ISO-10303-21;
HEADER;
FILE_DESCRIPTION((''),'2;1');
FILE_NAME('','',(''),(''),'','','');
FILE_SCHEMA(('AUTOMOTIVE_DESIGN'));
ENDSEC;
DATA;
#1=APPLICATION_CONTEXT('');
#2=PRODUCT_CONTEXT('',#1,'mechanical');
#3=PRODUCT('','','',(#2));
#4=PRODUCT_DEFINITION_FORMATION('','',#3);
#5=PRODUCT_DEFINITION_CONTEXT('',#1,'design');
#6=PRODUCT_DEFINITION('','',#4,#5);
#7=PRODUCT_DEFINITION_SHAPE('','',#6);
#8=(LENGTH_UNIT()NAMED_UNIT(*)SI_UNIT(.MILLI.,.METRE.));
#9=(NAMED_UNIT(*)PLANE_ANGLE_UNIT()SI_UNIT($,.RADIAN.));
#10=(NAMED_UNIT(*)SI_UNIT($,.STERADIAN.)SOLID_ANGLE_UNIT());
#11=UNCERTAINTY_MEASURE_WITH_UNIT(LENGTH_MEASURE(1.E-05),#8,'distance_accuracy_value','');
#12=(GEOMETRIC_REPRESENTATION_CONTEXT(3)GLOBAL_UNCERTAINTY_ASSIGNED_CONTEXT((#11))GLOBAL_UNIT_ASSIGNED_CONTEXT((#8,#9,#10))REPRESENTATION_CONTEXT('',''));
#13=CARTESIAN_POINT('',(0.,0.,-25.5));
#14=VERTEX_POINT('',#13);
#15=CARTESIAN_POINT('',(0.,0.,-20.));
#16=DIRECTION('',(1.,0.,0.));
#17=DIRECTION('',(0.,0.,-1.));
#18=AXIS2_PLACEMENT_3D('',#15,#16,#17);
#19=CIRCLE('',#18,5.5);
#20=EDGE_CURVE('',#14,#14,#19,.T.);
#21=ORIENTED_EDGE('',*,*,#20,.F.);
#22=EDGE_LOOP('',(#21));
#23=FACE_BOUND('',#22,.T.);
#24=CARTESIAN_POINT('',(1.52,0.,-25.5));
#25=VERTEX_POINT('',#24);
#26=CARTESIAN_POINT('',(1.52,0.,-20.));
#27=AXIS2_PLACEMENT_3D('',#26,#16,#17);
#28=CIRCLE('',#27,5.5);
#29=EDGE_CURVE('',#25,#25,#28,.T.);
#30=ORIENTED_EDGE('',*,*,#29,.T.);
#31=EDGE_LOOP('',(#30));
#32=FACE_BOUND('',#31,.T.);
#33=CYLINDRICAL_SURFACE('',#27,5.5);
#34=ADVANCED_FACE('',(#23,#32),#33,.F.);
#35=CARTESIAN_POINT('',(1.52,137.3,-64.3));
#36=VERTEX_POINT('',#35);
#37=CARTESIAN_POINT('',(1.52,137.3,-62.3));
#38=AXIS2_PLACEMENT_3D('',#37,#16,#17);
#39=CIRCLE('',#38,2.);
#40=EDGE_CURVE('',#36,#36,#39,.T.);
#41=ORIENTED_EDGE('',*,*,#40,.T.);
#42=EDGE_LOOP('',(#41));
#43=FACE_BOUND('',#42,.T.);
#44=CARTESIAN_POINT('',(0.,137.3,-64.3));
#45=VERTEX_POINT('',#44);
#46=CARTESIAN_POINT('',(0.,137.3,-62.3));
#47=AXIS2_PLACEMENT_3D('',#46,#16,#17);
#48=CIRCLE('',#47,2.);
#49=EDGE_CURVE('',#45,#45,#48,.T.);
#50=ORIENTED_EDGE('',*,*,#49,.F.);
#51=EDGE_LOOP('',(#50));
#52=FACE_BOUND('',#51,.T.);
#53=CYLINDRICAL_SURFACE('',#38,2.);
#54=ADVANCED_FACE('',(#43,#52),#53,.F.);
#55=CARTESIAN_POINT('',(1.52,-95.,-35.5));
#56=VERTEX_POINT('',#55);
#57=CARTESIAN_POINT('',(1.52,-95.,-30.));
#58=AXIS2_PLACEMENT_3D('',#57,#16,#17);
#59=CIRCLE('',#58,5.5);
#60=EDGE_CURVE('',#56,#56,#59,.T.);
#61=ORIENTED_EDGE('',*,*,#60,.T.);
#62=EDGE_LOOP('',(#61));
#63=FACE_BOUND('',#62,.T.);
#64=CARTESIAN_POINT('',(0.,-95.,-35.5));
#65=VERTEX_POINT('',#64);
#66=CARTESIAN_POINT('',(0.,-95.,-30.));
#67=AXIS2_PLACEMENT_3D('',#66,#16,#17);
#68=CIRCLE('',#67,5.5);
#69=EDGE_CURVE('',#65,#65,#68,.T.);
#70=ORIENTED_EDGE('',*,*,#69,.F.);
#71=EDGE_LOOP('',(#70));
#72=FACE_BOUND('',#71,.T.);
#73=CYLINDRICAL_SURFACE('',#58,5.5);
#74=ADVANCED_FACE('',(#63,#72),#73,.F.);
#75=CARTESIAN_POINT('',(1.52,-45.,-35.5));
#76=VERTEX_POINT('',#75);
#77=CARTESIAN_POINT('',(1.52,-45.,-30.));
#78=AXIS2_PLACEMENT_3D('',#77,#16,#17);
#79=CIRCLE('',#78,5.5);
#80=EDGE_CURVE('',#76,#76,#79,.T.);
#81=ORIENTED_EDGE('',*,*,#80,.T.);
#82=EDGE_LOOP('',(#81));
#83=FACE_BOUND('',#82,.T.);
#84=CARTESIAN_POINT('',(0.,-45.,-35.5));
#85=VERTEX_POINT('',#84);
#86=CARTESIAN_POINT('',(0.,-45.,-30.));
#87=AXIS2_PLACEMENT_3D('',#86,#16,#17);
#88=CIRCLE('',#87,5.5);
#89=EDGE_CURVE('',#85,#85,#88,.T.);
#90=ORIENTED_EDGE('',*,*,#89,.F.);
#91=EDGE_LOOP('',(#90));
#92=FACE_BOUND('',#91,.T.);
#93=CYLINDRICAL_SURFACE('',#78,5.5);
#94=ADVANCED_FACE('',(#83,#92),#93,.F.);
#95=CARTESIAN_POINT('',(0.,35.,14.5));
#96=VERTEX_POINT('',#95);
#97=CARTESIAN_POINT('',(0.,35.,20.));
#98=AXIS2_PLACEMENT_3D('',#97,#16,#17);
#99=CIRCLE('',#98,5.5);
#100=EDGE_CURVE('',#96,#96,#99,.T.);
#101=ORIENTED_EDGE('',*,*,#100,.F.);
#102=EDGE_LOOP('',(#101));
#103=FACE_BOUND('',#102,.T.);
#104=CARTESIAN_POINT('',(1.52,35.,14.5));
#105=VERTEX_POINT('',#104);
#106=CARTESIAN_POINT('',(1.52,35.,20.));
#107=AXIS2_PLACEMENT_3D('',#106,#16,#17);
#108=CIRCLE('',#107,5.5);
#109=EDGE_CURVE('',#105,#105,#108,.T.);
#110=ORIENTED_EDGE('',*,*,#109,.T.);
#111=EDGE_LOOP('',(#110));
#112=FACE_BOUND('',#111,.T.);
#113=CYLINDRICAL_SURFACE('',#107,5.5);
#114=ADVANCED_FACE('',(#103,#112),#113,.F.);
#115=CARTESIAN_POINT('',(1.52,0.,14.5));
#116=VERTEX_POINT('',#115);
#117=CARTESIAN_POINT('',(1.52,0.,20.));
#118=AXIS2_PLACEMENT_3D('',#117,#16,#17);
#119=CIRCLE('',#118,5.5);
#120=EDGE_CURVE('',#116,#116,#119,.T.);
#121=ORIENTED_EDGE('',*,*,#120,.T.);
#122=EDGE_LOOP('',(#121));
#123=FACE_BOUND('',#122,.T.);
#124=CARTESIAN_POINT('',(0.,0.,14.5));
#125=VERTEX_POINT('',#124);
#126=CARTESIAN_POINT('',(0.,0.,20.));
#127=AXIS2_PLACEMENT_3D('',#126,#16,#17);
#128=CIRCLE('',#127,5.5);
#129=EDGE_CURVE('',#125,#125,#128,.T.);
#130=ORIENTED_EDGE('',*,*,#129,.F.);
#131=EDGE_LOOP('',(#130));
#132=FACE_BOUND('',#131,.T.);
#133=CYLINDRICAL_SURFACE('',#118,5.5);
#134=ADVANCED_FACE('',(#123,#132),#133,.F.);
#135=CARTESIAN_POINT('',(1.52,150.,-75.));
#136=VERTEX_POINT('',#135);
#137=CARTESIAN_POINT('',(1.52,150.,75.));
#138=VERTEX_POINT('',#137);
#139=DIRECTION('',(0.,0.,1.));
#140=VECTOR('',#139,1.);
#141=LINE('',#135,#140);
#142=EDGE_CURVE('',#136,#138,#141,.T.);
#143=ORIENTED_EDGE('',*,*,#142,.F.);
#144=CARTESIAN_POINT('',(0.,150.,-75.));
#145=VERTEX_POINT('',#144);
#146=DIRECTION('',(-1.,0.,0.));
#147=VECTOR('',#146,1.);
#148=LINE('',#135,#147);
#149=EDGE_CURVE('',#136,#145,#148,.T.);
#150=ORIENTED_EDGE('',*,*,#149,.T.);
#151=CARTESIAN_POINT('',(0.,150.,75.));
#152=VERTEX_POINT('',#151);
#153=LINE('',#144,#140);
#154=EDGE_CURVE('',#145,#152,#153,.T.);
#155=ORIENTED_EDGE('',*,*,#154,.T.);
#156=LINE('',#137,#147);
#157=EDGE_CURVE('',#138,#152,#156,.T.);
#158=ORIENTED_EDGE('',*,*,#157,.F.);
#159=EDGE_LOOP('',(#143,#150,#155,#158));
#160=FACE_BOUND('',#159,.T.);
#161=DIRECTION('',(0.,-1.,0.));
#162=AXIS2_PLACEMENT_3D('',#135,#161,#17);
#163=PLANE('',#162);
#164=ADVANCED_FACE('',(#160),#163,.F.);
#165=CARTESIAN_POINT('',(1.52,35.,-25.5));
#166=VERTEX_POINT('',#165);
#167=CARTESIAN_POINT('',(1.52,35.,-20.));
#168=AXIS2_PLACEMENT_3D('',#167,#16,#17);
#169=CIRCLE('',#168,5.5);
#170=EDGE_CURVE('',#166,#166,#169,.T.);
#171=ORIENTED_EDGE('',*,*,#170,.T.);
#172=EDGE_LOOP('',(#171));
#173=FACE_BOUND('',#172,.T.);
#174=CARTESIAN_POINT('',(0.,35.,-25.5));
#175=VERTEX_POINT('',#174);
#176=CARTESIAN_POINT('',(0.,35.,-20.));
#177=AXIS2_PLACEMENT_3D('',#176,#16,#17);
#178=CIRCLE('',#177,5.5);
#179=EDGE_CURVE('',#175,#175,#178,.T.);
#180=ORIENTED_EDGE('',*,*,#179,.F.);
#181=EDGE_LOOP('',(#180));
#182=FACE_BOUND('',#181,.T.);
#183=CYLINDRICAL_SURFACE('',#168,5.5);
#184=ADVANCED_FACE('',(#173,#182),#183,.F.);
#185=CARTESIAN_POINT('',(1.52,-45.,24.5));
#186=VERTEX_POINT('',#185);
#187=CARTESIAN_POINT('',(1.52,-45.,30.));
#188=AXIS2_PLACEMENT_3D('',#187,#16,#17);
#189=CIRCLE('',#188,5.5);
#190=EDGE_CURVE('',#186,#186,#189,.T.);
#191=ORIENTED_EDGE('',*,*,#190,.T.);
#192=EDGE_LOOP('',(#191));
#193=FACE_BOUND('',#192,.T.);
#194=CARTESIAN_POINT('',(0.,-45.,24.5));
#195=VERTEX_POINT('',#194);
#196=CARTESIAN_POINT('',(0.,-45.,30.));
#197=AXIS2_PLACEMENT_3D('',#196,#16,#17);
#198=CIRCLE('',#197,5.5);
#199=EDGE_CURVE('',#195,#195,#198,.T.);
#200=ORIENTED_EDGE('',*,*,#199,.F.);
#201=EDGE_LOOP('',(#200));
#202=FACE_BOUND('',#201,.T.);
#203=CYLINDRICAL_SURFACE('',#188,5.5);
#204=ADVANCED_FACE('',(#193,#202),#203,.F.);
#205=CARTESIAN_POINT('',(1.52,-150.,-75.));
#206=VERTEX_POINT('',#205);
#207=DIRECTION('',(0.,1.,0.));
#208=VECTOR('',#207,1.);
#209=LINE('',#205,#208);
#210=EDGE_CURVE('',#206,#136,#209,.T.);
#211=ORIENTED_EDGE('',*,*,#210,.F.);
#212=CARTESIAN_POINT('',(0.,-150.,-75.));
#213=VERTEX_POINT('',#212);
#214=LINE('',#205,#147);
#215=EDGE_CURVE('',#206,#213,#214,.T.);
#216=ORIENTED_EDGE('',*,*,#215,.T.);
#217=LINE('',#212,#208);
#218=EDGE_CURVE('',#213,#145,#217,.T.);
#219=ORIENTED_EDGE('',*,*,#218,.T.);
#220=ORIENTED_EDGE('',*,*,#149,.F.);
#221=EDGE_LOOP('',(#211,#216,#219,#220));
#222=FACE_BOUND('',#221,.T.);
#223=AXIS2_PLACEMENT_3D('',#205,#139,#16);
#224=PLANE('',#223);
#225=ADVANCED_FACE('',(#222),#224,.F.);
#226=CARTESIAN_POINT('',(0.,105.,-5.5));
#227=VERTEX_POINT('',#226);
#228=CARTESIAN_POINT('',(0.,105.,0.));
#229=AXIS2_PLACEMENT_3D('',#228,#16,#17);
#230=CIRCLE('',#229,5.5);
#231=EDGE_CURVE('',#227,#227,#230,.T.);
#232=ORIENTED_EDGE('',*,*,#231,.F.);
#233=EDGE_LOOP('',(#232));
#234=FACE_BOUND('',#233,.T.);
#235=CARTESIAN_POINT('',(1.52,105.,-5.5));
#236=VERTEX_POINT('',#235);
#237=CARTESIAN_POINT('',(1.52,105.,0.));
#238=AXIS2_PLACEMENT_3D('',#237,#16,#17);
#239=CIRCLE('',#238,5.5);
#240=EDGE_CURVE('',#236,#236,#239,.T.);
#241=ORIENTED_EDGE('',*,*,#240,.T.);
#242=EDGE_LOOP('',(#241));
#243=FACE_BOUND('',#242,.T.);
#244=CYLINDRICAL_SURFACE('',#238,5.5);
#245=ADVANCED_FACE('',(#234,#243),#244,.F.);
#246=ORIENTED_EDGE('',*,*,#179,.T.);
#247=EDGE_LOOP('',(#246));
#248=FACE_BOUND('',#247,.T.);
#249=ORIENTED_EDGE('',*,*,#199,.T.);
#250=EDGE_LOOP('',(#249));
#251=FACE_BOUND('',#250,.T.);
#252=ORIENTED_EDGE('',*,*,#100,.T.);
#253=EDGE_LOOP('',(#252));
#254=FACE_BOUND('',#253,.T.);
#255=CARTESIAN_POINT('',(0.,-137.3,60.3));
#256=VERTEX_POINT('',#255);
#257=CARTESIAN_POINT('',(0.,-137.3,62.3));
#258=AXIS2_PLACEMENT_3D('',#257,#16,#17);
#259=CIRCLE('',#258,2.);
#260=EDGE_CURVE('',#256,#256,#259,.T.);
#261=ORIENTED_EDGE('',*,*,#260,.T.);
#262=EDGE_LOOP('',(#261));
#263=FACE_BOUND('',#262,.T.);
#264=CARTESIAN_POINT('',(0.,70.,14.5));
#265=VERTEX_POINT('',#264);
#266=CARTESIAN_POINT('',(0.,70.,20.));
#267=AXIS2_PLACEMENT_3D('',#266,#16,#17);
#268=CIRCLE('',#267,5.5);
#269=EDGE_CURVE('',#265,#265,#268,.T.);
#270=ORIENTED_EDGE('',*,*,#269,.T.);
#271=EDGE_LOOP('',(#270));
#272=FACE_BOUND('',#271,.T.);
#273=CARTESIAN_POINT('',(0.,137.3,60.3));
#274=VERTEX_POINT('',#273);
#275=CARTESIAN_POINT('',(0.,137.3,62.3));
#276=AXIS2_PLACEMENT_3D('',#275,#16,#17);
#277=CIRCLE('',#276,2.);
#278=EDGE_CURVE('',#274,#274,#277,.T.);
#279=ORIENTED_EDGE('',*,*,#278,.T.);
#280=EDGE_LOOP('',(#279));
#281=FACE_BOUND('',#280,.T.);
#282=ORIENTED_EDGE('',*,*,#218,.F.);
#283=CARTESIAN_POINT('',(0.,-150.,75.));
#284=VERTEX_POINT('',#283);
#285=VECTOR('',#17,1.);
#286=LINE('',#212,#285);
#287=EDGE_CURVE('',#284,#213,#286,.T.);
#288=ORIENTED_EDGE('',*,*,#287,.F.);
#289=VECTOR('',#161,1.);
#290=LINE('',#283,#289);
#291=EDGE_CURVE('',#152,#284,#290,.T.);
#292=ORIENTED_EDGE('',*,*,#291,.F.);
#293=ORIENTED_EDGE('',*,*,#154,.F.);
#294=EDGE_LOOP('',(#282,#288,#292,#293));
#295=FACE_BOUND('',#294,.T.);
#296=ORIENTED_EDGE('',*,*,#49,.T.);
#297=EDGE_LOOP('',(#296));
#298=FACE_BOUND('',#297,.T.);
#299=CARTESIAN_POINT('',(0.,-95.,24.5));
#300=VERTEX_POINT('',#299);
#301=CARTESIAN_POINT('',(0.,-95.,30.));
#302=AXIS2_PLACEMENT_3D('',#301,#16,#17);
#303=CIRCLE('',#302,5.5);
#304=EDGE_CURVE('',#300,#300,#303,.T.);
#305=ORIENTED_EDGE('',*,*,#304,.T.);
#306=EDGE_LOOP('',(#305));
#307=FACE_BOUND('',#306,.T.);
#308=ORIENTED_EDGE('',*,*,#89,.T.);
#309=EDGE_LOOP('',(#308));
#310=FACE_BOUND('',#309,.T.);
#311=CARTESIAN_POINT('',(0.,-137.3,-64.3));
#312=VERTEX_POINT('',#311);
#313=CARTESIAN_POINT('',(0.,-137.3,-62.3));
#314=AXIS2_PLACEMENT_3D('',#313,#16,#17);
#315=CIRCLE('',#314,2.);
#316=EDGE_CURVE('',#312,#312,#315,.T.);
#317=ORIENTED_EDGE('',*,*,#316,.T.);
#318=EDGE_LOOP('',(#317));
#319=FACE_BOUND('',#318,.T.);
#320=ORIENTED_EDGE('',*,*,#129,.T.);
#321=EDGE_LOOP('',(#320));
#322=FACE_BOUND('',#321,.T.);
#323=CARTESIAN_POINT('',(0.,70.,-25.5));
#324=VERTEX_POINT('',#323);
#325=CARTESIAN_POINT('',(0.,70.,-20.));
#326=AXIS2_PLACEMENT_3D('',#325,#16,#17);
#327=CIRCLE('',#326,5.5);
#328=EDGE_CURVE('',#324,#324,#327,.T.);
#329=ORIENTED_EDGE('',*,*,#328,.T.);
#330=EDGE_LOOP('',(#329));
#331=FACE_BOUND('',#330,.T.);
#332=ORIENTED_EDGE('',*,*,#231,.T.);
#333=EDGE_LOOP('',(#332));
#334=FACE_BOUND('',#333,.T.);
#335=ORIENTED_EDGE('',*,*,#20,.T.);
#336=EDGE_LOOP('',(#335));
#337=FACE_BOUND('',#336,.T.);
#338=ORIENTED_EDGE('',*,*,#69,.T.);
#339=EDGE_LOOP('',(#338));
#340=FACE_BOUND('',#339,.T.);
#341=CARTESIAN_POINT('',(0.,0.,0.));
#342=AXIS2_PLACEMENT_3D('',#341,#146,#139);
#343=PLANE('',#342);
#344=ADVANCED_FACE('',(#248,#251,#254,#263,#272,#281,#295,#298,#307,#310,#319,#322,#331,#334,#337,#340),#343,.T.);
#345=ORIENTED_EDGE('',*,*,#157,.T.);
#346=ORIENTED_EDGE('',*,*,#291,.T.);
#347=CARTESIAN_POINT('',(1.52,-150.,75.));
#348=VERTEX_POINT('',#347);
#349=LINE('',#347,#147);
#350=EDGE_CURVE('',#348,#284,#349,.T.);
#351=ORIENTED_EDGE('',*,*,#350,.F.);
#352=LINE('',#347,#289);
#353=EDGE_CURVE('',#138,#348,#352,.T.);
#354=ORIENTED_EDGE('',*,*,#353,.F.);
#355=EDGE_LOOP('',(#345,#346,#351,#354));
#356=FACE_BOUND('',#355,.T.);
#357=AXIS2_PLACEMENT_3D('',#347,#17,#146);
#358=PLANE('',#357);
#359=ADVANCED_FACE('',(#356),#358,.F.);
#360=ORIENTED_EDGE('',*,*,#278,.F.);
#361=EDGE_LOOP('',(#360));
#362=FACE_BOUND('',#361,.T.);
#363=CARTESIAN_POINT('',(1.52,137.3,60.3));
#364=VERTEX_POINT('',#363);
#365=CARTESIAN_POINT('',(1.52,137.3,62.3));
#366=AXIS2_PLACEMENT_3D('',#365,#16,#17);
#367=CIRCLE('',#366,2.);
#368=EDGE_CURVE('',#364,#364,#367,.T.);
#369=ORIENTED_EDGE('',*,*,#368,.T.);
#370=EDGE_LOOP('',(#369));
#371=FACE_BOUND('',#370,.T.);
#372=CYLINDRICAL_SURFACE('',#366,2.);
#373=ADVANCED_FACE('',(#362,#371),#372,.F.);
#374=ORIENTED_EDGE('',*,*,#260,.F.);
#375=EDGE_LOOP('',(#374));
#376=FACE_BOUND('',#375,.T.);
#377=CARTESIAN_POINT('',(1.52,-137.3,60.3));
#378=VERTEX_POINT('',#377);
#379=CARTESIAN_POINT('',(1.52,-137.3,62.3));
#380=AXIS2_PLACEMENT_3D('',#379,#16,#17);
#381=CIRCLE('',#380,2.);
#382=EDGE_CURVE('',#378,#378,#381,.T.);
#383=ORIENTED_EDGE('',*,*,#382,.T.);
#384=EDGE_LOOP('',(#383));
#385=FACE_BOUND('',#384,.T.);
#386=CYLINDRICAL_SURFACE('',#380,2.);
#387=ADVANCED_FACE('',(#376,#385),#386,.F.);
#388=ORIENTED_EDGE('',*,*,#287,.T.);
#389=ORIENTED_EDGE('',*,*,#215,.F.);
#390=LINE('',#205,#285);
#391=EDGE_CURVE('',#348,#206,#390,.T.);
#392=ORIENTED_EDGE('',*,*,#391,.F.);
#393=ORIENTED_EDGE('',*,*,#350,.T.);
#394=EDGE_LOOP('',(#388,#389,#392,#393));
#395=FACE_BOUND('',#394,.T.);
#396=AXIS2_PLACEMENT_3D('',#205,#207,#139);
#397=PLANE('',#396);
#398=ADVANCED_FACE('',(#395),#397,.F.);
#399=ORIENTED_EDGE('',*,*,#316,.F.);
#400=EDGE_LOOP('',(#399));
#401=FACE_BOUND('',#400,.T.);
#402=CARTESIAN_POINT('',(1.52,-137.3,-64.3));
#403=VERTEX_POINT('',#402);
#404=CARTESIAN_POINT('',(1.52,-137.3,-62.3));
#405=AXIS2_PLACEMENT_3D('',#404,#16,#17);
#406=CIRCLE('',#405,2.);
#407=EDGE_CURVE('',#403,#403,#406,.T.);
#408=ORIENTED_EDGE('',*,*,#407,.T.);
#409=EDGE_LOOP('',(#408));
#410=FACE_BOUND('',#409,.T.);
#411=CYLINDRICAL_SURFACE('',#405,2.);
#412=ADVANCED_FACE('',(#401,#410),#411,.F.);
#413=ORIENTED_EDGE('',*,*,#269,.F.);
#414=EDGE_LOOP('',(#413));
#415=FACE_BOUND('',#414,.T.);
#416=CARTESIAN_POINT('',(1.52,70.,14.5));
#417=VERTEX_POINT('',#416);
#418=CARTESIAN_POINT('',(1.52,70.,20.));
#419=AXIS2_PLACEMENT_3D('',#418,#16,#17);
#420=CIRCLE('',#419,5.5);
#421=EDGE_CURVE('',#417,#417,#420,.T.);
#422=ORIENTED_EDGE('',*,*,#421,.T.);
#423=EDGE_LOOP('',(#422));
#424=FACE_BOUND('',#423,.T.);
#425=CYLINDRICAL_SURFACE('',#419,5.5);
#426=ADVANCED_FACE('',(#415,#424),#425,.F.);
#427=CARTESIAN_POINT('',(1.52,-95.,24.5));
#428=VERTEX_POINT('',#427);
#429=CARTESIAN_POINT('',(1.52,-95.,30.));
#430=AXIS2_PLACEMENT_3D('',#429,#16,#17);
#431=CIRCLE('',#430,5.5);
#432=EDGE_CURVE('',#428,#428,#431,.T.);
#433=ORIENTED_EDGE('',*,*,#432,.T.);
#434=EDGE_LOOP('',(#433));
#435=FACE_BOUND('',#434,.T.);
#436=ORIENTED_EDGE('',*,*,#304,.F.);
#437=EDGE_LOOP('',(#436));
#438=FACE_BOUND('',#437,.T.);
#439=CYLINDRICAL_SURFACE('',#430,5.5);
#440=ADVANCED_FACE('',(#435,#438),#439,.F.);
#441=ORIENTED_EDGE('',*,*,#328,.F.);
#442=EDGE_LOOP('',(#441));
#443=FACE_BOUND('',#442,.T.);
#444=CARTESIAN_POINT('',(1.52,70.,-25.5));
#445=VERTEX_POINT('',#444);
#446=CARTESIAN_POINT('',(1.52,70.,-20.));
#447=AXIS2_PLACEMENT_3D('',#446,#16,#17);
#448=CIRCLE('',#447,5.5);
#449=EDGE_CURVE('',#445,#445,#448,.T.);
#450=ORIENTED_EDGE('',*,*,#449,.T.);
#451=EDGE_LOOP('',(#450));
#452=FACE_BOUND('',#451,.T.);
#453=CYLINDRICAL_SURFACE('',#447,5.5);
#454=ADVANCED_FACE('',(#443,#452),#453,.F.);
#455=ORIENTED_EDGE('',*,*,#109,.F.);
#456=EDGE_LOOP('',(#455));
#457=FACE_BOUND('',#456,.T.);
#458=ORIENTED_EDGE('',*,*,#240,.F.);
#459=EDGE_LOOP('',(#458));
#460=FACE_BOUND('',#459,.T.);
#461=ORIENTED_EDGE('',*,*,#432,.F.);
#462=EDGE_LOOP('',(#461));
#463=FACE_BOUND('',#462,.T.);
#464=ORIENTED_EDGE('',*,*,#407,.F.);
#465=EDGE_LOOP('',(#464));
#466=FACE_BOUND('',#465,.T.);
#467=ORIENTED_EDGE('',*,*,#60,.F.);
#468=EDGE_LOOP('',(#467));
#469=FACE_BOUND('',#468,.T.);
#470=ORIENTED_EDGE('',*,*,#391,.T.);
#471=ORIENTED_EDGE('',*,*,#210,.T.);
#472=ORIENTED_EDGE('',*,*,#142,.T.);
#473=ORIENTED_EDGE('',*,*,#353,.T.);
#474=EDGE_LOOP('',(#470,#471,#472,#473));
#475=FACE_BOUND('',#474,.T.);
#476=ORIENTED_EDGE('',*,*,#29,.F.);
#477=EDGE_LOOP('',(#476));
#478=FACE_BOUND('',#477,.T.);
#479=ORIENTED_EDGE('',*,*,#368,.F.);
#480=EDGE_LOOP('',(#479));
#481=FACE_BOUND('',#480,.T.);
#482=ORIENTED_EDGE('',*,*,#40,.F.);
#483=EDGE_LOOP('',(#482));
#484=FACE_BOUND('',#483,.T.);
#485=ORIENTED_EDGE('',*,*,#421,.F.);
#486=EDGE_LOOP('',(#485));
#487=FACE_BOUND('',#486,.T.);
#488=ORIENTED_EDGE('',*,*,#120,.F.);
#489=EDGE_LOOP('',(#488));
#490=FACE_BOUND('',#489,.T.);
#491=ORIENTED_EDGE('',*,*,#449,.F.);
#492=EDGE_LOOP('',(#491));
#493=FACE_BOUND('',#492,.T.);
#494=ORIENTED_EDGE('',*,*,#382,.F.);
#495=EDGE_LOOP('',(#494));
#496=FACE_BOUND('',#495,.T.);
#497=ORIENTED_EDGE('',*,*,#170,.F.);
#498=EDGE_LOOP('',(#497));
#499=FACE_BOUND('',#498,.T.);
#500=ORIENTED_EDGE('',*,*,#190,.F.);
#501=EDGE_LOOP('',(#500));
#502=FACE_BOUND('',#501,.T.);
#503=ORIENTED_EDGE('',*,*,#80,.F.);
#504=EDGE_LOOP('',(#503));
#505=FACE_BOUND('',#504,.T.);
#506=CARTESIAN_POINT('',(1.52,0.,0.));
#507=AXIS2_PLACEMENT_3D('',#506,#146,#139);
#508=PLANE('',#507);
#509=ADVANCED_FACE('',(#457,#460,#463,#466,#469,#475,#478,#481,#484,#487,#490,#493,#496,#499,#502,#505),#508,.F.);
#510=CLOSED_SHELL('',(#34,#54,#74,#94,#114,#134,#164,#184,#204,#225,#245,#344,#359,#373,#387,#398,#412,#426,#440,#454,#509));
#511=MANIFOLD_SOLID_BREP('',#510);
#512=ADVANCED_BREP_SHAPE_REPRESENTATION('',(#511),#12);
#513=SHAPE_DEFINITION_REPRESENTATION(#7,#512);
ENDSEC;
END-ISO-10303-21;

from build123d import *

# Parameters (mm, degrees)
SKETCH2_W                            = 300
SKETCH2_H                            = 150
BOSS_EXTRUDE1_DEPTH                  = 1.52
F_4_0_4_DIAMETER_HOLE1_D             = 4
MIRROR1_AT_THE_SECOND_PLANE_COPY_1_D = 4
F_11_0_11_DIAMETER_HOLE4_D           = 11
F_11_0_11_DIAMETER_HOLE2_D           = 11
F_11_0_11_DIAMETER_HOLE3_D           = 11


with BuildPart() as part:
    # Sketch2 → Boss-Extrude1 (new body)
    with BuildSketch(Plane.YZ):
        Rectangle(SKETCH2_W, SKETCH2_H)
    extrude(amount=BOSS_EXTRUDE1_DEPTH)

    # Ø4.0 (4) Diameter Hole1 (through all)
    with Locations(Plane.YZ.offset(1.52)):
        with Locations((-137.3, 62.3)):
            f_4_0_4_diameter_hole1 = Hole(F_4_0_4_DIAMETER_HOLE1_D / 2)

    # Mirror1: Ø4.0 (4) Diameter Hole1 across plane
    add(f_4_0_4_diameter_hole1.mirror(Plane.ZX), mode=Mode.SUBTRACT)

    # Mirror1 at the second plane: Ø4.0 (4) Diameter Hole1 across plane
    add(f_4_0_4_diameter_hole1.mirror(Plane.XY), mode=Mode.SUBTRACT)

    # Mirror1 at the second plane copy 1 (through all)
    with Locations(Plane(origin=(1.52, 0, 0), x_dir=(0, -1, 0), z_dir=(1, 0, 0))):
        with Locations((-137.3, 62.3)):
            Hole(MIRROR1_AT_THE_SECOND_PLANE_COPY_1_D / 2)

    # Ø11.0 (11) Diameter Hole4 (through all)
    with Locations(Plane.YZ.offset(1.52)):
        with Locations((-95, 30), (-45, 30)):
            f_11_0_11_diameter_hole4 = Hole(F_11_0_11_DIAMETER_HOLE4_D / 2)

    # Mirror2: Ø11.0 (11) Diameter Hole4 across plane
    add(f_11_0_11_diameter_hole4.mirror(Plane.XY), mode=Mode.SUBTRACT)

    # Ø11.0 (11) Diameter Hole2 (through all)
    with Locations(Plane.YZ.offset(1.52)):
        with Locations((0, 20), (35, 20), (70, 20)):
            f_11_0_11_diameter_hole2 = Hole(F_11_0_11_DIAMETER_HOLE2_D / 2)

    # Mirror3: Ø11.0 (11) Diameter Hole2 across plane
    add(f_11_0_11_diameter_hole2.mirror(Plane.XY), mode=Mode.SUBTRACT)

    # Ø11.0 (11) Diameter Hole3 (through all)
    with Locations(Plane.YZ.offset(1.52)):
        with Locations((105, 0)):
            Hole(F_11_0_11_DIAMETER_HOLE3_D / 2)


solid = part.part
